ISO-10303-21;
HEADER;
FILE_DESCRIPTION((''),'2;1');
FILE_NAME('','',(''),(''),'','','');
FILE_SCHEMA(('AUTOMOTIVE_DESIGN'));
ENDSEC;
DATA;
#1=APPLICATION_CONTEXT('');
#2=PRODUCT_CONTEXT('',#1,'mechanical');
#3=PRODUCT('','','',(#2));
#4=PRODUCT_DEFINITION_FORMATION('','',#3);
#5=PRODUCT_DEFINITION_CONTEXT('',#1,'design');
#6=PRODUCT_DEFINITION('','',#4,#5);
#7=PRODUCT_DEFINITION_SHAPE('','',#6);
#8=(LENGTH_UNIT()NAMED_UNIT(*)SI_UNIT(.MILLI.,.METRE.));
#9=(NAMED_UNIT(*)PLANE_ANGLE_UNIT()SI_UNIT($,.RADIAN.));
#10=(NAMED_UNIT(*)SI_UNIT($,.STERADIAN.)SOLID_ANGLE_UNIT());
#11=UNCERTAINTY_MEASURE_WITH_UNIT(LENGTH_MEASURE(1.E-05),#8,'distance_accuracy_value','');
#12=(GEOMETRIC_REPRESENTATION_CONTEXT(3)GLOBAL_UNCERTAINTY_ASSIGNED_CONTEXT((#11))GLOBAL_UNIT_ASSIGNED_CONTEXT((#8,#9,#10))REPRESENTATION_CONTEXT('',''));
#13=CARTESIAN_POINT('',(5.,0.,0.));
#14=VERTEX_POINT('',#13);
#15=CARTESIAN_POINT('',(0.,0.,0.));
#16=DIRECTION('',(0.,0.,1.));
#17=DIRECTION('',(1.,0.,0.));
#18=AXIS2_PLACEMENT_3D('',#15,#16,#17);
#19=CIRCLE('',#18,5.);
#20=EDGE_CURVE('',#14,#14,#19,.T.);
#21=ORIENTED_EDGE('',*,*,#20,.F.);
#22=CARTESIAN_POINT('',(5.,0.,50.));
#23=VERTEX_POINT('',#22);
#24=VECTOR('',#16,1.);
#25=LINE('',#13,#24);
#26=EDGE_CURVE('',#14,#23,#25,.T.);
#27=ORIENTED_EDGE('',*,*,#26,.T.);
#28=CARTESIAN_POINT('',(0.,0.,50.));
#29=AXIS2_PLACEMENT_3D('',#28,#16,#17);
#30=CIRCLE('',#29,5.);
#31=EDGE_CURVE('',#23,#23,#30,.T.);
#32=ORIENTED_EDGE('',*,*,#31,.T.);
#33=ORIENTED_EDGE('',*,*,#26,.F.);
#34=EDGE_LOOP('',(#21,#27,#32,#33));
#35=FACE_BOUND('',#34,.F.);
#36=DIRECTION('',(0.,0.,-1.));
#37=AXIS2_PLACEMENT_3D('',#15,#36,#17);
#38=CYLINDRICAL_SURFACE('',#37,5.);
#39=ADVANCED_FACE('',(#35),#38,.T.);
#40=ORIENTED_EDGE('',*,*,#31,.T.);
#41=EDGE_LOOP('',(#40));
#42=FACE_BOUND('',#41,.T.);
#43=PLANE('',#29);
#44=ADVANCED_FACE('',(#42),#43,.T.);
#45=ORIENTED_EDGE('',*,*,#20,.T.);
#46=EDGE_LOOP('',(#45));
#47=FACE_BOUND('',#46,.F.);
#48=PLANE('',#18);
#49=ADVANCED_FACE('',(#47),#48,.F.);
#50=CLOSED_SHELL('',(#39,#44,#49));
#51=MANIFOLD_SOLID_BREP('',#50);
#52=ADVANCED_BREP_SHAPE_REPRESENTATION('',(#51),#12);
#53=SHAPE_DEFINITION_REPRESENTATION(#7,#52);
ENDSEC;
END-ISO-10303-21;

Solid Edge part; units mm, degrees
sketch "Sketch1" plane through (0, 0, 0) normal (0, 0, 1) x (1, 0, 0)
  circle A0 centre (0, 0) radius 5
extrude "Protrusion1" add sketch "Sketch1" along normal blind 50
